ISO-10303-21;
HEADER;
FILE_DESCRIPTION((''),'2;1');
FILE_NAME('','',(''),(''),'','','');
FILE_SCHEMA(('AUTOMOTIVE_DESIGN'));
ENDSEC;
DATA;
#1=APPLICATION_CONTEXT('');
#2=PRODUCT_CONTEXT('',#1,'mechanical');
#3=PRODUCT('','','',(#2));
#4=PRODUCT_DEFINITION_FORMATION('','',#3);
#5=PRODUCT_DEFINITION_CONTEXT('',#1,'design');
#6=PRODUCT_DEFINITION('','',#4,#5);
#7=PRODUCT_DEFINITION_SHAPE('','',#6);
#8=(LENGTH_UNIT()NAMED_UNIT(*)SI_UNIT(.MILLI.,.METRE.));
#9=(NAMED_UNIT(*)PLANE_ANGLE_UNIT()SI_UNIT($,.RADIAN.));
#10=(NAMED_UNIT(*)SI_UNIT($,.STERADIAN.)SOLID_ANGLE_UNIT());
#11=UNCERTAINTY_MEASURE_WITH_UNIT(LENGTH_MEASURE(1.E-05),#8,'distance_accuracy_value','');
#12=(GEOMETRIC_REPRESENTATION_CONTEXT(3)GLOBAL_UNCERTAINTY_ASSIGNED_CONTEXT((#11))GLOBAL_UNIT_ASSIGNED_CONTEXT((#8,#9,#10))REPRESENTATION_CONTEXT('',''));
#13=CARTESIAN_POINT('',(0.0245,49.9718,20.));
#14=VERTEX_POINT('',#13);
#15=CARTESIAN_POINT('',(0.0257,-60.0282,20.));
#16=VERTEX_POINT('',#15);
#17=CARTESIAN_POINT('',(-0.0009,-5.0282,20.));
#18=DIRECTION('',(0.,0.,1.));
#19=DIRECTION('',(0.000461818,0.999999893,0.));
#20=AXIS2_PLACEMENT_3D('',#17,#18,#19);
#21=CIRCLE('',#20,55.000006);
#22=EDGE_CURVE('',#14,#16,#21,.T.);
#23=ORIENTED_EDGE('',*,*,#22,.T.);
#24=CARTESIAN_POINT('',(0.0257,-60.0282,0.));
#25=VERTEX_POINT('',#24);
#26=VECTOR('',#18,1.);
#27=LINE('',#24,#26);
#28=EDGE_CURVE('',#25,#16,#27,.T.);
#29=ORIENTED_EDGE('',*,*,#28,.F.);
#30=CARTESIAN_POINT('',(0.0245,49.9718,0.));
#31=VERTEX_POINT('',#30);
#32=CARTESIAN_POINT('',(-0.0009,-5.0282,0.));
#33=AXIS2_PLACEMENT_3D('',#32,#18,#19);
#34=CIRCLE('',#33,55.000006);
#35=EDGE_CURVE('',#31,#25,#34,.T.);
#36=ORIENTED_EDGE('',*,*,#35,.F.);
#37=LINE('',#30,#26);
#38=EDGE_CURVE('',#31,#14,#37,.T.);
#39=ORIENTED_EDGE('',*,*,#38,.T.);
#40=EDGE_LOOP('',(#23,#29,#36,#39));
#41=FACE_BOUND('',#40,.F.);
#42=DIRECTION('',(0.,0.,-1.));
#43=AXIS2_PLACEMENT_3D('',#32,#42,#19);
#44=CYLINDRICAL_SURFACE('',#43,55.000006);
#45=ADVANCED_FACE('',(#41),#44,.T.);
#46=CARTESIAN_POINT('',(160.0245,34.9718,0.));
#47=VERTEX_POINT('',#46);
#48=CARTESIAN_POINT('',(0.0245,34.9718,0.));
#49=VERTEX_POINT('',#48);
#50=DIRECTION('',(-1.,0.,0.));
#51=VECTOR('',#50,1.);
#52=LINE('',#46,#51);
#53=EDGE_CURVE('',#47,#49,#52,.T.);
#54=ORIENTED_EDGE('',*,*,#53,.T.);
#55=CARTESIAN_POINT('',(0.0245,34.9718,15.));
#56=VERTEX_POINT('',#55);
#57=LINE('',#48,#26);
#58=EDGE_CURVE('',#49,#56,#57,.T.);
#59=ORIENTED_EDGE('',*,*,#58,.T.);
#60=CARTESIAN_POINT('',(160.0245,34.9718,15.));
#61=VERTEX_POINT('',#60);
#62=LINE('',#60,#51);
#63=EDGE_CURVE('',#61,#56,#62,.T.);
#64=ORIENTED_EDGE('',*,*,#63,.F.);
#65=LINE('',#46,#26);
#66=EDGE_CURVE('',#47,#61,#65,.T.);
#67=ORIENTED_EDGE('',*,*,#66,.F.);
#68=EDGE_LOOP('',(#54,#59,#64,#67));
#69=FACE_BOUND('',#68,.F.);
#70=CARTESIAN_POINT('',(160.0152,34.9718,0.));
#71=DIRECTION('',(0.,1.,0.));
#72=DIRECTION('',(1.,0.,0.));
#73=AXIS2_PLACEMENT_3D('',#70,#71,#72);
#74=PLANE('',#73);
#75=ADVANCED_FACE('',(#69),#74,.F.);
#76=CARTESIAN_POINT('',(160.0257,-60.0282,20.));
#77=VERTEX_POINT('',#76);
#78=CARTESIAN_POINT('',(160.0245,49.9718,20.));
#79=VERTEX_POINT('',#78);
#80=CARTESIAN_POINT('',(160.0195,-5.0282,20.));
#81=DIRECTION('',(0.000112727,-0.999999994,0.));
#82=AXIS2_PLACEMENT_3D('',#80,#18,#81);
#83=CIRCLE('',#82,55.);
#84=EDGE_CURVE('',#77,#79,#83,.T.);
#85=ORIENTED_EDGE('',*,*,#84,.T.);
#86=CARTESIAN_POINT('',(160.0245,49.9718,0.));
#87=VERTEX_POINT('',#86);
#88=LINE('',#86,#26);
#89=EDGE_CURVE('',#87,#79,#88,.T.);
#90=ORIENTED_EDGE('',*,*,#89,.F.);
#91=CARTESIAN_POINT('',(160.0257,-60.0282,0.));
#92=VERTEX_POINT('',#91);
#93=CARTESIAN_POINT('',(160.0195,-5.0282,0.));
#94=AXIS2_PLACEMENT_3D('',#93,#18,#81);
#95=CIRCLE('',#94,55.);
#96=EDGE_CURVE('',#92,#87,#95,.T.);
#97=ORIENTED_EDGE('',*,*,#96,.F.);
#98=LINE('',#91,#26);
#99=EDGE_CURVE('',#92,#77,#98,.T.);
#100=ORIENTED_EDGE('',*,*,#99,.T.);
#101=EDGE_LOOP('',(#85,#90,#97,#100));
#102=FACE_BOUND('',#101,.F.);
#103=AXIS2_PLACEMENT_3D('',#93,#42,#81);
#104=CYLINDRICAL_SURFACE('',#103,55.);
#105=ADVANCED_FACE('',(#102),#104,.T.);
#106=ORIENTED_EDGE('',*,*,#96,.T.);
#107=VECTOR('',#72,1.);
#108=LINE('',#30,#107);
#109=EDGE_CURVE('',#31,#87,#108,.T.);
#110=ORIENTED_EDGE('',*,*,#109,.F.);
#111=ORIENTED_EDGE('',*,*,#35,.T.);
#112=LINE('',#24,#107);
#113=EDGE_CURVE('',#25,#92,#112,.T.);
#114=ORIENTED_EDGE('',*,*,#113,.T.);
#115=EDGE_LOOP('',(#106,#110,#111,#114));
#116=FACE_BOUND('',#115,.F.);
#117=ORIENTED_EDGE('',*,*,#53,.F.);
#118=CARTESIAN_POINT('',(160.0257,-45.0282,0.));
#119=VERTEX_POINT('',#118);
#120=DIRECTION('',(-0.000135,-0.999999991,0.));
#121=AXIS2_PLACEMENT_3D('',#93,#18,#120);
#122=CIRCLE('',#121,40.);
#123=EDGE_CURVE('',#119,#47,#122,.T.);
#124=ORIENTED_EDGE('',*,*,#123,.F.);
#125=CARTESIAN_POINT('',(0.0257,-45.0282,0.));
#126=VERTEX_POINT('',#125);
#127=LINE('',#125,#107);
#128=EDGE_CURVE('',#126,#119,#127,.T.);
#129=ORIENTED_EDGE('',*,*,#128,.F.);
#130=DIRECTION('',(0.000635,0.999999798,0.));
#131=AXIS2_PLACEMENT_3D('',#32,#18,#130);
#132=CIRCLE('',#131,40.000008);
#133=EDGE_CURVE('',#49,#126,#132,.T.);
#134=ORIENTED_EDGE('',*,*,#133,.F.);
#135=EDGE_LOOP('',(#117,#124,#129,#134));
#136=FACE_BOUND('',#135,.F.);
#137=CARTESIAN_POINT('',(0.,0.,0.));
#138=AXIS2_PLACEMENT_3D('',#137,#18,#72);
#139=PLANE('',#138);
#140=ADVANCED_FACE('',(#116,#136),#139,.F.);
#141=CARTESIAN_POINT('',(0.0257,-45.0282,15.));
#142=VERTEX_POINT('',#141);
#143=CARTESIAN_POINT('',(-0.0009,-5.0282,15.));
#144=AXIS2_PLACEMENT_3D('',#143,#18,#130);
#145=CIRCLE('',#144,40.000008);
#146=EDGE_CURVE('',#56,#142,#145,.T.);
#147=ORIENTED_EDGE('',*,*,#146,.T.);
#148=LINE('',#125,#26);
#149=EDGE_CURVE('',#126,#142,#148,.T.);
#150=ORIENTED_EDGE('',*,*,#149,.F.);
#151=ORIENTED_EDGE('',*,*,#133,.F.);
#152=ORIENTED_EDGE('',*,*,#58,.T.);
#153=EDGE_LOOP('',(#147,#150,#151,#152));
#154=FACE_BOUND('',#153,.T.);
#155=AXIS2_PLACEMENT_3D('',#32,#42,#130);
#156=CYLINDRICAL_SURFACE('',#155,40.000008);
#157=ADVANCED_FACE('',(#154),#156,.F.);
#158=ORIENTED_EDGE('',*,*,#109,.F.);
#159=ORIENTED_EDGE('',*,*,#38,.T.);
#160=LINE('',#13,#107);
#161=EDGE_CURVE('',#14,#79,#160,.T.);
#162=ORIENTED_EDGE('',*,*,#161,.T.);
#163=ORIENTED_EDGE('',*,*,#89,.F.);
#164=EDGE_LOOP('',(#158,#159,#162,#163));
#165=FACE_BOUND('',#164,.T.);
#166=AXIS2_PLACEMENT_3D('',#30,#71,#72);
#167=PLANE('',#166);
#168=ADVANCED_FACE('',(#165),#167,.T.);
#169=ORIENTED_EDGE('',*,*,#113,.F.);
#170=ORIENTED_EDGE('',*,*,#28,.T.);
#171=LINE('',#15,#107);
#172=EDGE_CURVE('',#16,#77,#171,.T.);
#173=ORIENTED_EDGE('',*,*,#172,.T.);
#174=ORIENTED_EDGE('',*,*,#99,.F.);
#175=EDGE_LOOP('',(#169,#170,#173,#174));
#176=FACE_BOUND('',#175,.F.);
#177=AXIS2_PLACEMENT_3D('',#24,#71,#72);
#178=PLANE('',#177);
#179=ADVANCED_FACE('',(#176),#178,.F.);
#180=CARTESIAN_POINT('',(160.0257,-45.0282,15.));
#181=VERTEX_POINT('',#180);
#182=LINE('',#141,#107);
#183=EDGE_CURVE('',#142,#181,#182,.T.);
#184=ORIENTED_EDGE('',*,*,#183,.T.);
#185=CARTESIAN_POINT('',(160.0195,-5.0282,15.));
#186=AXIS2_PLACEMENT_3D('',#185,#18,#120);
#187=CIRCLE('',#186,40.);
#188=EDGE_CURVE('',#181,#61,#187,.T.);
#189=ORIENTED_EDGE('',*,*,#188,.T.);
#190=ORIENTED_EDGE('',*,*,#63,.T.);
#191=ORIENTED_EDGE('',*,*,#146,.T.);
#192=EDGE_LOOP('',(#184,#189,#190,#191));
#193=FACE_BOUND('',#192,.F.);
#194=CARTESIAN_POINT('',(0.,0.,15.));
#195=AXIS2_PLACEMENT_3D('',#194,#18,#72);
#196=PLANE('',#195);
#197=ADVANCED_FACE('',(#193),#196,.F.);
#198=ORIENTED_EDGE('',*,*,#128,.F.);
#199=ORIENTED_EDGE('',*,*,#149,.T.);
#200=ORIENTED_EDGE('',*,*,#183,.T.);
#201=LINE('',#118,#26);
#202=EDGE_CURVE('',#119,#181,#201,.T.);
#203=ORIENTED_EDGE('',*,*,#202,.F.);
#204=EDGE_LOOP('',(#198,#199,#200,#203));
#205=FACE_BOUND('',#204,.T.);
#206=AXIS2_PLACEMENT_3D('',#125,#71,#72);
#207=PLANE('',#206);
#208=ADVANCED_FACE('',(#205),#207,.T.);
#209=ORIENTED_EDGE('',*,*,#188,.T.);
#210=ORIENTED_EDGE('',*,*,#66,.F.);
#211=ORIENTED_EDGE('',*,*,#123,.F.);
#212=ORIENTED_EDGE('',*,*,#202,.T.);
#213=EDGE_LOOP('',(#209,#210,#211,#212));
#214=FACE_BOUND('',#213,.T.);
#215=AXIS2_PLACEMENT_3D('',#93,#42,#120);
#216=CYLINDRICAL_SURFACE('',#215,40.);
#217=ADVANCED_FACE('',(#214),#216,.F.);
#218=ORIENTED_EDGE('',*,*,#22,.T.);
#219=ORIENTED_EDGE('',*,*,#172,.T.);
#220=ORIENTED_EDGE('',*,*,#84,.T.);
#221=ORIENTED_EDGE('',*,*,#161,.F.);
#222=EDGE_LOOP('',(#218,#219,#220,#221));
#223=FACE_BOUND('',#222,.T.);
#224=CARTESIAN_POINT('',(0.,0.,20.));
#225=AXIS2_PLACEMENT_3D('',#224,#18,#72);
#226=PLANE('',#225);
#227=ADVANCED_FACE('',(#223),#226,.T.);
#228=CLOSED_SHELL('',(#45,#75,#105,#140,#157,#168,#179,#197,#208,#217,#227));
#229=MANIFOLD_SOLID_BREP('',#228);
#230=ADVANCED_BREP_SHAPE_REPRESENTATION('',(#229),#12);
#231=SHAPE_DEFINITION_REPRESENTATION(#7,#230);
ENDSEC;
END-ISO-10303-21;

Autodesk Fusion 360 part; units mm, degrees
sketch "Sketch1" plane through (0, 0, 0) normal (0, 0, 1) x (1, 0, 0)
  line L0 (0.0245, 49.9718) -> (160.0245, 49.9718)
  line L1 (0.0257, -60.0282) -> (160.0257, -60.0282)
  arc A0 (0.0245, 49.9718) -> (0.0257, -60.0282) centre (-0.0009, -5.0282) ccw
  arc A1 (160.0257, -60.0282) -> (160.0245, 49.9718) centre (160.0195, -5.0282) ccw
  line L2 (80.0245, 49.9718) -> (80.0245, 34.9718) construction
  line L3 (0.0245, 34.9718) -> (160.0245, 34.9718)
  line L4 (80.0257, -60.0282) -> (80.0257, -45.0282) construction
  line L5 (0.0257, -45.0282) -> (160.0257, -45.0282)
  line L6 (160.0245, 49.9718) -> (160.0245, 34.9718) construction
  line L7 (160.0257, -60.0282) -> (160.0257, -45.0282) construction
  arc A2 (0.0245, 34.9718) -> (0.0257, -45.0282) centre (-0.0009, -5.0282) ccw
  arc A3 (160.0141, -45.0282) -> (160.0152, 34.9718) centre (160.0195, -5.0282) ccw
  dimension "d3" = 160
  dimension "d5" = 110
  dimension "d6" = 160
  dimension "d7" = 110
  dimension "d8" = 15
  dimension "d9" = 160
  dimension "d10" = 15
  dimension "d11" = 160
  dimension "d12" = 15
  dimension "d13" = 15
  dimension "d14" = 80
  dimension "d15" = 80
extrude "Extrude1" add sketch "Sketch1" along normal blind 20 contours L0 L1 A0 A1 | L3 L5 A2 A3
extrude "Extrude2" cut sketch "Sketch1" along normal blind 15 contours L3 L5 A2 A3
equation "length = 160 mm"
equation "width = 110 mm"
equation "d3 = length"
equation "thickness = 15 mm"
equation "d5 = width"
equation "d6 = length"
equation "d7 = width"
equation "d8 = thickness"
equation "d9 = length"
equation "d10 = thickness"
equation "d11 = length"
equation "d12 = thickness"
equation "d13 = thickness"
equation "d14 = width - thickness * 2"
equation "d15 = width - thickness * 2"
equation "o_extrude = 20 mm"
equation "i_extrude = 15 mm"
equation "d18 = o_extrude"
equation "d20 = i_extrude"
